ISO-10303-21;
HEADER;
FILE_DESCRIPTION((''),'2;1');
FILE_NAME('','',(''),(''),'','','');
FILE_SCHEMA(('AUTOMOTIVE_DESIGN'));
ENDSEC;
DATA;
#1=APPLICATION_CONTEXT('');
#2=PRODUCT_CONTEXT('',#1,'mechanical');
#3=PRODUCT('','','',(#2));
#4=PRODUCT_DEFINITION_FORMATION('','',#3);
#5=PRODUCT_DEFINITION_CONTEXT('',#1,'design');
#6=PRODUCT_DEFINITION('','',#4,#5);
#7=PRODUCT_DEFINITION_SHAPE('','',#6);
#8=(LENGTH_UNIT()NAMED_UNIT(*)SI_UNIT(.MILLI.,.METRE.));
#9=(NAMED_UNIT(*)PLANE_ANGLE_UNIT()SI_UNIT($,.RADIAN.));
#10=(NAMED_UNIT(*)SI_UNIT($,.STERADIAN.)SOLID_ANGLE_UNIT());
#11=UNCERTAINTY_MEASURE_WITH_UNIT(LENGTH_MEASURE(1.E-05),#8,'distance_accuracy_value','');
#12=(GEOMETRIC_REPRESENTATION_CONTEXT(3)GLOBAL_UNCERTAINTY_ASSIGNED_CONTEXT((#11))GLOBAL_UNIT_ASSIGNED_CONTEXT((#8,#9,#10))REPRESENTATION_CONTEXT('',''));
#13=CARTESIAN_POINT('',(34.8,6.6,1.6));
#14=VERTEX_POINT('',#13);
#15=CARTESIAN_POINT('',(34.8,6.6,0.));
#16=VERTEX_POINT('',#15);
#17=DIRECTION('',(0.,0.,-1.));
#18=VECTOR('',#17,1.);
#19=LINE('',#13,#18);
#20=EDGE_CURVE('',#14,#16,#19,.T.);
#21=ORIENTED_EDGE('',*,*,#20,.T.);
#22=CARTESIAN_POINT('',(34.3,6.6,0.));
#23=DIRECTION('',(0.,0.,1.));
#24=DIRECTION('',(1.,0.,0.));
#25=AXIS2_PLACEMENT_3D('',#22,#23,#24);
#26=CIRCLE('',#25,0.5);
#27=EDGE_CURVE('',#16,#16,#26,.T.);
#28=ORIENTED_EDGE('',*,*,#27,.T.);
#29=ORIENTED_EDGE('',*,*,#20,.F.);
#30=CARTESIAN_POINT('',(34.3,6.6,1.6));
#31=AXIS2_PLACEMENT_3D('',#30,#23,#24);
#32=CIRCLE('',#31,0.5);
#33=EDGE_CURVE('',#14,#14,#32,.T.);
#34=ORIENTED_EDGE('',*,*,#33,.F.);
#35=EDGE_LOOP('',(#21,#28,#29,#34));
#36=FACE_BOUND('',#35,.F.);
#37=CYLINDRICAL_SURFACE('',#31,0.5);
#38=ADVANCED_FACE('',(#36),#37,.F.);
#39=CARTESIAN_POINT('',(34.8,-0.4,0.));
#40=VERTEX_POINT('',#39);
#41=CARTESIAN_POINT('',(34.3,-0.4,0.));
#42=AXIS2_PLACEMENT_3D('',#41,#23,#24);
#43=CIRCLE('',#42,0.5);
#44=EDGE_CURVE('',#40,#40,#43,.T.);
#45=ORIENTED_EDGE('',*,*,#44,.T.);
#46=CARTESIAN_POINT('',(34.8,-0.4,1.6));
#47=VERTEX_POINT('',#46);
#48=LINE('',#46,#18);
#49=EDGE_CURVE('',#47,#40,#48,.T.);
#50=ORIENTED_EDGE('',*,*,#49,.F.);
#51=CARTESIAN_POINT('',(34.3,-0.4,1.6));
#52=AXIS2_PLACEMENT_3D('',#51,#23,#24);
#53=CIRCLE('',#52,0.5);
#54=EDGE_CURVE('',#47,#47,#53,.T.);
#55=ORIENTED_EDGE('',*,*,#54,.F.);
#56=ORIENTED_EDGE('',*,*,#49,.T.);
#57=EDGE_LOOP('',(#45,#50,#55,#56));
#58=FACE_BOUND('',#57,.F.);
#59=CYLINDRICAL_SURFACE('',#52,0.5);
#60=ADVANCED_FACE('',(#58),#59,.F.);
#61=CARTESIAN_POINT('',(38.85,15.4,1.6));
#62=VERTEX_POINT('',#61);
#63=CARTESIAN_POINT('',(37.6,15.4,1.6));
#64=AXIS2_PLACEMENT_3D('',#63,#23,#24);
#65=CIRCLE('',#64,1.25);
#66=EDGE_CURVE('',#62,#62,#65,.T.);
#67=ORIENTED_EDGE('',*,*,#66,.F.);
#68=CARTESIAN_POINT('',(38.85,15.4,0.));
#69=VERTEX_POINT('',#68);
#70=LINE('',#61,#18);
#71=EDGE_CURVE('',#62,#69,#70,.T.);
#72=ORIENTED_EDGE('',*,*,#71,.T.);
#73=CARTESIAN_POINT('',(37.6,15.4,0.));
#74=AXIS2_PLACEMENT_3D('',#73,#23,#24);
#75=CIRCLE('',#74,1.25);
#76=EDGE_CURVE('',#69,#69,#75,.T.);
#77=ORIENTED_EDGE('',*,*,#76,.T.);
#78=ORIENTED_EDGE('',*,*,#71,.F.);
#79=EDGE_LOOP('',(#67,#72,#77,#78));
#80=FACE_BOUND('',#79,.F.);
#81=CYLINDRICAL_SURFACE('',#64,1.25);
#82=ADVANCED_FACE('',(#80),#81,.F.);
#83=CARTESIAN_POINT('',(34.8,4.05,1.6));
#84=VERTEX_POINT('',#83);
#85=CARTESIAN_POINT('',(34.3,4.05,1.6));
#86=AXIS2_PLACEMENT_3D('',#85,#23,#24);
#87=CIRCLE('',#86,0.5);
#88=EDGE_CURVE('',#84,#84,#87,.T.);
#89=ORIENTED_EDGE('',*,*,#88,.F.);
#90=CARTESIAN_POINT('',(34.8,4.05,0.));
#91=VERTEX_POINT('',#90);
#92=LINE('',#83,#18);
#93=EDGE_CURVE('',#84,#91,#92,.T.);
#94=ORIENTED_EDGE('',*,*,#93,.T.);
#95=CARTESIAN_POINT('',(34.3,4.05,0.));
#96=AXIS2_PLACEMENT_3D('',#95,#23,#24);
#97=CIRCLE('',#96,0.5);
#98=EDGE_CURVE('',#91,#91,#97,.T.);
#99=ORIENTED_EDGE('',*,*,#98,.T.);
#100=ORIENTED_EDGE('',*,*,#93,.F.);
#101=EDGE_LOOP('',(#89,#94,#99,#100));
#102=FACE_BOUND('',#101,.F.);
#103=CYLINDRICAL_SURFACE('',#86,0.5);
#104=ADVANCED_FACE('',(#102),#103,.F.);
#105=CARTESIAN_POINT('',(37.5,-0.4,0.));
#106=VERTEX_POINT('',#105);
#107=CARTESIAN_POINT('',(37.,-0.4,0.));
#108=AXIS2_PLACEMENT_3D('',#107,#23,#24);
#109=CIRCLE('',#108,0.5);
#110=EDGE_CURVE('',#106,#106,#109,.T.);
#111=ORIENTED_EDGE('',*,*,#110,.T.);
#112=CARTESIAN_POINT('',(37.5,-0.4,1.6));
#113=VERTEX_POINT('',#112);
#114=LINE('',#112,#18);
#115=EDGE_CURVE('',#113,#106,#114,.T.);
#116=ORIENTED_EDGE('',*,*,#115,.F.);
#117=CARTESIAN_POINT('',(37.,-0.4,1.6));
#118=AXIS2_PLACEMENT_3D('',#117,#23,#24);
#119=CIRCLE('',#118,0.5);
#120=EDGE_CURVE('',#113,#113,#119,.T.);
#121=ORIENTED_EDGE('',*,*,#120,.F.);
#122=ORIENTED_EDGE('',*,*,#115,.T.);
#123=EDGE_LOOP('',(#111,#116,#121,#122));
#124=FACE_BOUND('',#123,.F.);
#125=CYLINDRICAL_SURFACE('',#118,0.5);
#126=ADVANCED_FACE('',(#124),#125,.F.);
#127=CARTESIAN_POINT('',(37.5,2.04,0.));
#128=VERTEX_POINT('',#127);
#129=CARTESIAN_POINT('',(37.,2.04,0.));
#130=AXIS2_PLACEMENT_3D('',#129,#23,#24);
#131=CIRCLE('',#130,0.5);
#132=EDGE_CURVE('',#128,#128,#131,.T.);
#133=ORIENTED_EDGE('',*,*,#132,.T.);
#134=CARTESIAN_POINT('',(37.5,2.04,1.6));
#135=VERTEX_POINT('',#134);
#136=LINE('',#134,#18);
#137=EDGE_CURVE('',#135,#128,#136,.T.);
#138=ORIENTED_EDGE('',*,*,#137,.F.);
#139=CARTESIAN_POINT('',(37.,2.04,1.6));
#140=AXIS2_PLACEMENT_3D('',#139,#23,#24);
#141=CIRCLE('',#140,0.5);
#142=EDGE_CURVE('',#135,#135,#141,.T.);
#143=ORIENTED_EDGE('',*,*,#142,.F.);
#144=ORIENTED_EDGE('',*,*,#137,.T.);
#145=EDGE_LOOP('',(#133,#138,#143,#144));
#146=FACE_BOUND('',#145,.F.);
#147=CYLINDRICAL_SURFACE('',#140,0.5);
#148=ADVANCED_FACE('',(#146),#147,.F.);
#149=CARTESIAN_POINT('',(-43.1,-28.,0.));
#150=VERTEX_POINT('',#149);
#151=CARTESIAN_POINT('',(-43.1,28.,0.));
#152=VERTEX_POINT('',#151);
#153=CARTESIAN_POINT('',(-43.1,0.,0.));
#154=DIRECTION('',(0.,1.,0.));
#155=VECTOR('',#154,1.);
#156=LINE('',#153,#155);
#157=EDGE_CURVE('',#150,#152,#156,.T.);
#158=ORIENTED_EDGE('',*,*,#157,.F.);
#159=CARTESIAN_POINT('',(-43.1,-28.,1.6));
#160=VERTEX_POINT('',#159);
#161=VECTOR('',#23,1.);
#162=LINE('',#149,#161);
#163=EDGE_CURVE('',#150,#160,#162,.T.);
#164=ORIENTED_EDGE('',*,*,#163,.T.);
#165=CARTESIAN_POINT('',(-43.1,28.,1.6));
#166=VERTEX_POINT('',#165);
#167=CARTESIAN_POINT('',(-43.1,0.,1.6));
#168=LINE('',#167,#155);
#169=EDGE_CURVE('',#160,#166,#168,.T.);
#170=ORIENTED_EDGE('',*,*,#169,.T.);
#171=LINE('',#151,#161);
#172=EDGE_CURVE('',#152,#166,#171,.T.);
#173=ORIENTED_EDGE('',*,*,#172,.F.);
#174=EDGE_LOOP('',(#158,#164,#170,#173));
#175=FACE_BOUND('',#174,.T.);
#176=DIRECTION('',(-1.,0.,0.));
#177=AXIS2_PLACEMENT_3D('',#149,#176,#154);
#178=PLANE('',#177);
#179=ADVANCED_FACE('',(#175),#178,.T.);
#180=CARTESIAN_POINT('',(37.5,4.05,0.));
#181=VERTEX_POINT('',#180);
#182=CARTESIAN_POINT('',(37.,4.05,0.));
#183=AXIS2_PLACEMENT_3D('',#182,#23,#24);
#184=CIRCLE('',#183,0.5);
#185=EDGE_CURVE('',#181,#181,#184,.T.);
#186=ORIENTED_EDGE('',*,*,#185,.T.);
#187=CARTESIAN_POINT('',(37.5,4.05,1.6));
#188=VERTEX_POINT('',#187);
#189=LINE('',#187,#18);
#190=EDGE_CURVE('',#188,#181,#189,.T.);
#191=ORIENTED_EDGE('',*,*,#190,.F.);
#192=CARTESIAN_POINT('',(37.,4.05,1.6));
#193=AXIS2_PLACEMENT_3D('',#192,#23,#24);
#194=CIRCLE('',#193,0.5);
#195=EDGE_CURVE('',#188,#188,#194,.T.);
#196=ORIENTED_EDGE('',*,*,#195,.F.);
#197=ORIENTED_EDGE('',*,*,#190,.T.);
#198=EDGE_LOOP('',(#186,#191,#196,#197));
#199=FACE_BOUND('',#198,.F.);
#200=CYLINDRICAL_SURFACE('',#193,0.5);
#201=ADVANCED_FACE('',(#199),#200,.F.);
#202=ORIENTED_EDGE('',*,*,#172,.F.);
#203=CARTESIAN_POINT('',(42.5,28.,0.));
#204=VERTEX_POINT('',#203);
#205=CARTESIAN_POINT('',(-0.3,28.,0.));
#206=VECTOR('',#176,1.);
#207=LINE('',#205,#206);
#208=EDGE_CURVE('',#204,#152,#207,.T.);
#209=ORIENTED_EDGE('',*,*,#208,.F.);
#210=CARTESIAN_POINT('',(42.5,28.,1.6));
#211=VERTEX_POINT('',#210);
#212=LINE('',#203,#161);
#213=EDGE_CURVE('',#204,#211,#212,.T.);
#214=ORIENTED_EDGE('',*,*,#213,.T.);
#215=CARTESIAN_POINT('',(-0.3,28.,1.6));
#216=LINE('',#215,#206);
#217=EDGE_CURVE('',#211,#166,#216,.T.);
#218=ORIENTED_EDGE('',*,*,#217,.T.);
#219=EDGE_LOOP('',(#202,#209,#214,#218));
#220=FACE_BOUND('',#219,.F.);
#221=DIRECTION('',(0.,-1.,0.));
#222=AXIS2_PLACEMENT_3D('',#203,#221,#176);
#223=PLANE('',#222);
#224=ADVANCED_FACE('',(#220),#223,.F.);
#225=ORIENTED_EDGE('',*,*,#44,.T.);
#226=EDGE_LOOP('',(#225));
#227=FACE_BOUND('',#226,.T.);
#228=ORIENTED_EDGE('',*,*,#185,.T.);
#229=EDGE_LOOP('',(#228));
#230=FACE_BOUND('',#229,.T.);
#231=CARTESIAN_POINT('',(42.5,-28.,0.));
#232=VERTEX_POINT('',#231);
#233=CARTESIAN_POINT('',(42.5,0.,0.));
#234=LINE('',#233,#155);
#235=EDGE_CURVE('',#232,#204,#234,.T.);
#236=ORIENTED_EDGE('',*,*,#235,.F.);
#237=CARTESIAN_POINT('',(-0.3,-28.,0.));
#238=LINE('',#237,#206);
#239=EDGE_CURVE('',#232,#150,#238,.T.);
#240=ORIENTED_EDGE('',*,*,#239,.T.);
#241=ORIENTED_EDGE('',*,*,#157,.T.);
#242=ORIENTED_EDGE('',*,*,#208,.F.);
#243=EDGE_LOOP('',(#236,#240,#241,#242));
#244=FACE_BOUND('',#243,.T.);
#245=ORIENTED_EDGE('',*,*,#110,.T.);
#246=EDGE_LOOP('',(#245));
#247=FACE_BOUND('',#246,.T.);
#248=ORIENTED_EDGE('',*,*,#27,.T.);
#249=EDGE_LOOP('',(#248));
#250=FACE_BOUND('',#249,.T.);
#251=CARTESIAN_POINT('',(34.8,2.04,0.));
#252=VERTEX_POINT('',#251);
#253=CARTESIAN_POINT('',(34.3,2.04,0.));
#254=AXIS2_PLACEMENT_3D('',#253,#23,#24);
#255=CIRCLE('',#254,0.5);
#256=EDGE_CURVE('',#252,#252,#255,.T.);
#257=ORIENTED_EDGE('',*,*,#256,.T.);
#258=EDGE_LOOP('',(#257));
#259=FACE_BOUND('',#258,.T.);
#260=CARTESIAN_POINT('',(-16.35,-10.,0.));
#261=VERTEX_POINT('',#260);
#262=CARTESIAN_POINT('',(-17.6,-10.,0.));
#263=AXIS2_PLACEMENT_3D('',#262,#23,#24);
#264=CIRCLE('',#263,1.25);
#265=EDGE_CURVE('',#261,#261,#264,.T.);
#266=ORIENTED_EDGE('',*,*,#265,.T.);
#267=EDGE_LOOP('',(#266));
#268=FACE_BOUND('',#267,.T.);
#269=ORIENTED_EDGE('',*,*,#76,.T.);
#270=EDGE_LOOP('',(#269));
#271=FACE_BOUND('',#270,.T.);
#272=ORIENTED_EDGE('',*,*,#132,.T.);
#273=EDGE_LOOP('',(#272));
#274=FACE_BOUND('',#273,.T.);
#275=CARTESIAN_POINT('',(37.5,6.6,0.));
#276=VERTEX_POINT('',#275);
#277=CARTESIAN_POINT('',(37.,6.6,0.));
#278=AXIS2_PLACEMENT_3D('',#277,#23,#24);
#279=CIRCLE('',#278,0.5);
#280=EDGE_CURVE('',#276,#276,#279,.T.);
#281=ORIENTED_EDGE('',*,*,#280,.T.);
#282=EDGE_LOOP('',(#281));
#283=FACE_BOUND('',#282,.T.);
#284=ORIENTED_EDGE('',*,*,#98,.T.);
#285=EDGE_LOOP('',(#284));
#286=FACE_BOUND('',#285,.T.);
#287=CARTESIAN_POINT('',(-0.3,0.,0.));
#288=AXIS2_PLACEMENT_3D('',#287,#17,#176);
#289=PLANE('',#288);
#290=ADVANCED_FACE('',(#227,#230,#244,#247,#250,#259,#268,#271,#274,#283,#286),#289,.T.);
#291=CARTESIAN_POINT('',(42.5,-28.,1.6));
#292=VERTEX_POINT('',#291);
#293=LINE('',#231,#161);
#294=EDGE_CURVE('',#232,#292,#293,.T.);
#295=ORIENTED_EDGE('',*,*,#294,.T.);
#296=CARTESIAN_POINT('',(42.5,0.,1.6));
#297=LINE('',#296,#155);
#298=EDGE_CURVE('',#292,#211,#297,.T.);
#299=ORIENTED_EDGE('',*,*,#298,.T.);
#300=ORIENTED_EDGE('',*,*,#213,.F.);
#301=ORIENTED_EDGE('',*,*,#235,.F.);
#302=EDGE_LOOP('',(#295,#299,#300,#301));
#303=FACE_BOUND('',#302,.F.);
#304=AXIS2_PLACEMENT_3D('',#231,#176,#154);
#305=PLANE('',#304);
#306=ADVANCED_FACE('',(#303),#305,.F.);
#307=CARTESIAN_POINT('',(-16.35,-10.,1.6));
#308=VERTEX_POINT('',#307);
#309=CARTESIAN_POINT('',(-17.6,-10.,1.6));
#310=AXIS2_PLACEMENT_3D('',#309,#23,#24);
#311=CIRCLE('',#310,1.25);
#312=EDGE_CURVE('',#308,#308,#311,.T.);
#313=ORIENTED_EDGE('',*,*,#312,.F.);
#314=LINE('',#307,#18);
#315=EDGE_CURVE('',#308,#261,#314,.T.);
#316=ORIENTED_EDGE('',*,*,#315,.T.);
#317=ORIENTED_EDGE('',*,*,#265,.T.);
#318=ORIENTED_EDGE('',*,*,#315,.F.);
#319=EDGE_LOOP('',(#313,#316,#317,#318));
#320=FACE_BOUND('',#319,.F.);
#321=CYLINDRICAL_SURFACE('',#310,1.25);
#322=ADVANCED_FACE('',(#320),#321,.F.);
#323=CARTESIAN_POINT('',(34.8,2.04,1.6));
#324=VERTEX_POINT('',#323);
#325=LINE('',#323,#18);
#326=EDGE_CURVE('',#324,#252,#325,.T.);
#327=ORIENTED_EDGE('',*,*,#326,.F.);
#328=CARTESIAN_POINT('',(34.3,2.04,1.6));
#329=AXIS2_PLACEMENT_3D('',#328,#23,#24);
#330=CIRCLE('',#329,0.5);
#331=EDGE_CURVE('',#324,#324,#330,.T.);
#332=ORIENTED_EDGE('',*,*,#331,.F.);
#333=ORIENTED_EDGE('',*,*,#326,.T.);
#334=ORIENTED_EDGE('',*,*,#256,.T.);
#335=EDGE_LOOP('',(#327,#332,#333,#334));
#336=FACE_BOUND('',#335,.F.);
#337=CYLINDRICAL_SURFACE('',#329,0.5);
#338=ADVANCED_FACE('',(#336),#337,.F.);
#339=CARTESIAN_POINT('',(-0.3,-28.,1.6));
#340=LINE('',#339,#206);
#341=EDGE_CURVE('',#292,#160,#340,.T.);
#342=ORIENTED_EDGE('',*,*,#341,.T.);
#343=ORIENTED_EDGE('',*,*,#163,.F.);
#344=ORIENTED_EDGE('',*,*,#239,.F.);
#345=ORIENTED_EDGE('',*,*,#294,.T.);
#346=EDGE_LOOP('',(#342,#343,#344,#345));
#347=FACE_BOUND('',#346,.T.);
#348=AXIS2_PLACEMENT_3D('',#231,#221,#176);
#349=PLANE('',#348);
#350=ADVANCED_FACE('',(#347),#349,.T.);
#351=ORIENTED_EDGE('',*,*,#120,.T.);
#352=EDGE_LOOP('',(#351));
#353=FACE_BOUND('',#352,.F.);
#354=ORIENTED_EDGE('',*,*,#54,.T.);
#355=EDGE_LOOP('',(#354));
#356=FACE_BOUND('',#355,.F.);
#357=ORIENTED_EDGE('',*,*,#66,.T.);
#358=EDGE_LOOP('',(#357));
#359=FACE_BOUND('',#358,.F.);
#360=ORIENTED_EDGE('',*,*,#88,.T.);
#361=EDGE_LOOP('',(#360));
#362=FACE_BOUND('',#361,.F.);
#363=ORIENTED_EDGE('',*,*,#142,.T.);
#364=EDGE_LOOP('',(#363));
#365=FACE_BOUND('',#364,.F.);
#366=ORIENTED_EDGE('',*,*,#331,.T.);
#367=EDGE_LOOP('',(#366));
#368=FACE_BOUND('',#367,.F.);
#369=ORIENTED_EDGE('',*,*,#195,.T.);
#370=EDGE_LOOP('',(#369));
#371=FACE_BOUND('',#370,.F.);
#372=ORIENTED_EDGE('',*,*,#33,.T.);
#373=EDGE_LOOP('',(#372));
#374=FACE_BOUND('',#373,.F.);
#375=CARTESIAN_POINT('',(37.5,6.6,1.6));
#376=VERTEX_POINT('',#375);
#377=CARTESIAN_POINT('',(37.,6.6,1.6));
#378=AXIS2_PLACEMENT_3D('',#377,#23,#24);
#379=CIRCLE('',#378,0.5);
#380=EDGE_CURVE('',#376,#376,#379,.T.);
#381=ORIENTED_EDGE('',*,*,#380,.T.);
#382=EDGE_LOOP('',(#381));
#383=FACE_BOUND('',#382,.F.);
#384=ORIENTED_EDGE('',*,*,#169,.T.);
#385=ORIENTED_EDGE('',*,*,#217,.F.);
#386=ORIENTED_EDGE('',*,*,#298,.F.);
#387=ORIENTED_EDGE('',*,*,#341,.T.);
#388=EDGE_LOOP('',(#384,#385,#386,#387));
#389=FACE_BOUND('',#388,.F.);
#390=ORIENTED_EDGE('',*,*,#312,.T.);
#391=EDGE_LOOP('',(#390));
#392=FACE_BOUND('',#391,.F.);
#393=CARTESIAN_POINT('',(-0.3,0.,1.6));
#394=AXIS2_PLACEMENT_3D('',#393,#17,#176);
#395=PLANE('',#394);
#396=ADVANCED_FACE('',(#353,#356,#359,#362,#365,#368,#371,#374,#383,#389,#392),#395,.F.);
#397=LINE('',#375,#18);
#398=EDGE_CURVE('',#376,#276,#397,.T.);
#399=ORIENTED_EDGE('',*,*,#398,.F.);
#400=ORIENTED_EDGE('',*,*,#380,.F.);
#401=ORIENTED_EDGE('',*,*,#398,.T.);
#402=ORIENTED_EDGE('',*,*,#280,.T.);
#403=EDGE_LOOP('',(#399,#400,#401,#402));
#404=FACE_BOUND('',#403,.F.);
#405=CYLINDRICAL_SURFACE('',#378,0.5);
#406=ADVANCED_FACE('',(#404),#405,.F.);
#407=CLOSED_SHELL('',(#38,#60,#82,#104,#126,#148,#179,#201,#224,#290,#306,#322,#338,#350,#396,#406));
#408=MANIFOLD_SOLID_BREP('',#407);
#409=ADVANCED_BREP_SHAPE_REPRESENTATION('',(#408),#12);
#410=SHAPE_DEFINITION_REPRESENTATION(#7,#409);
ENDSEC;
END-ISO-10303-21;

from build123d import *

# Parameters (mm, degrees)
ESBO_O1_W                = 85.6
ESBO_O1_H                = 56
RESSALTO_EXTRUS_O1_DEPTH = 1.6
ESBO_O2_R                = 0.5
CORTE_EXTRUS_O1_DEPTH    = 2
ESBO_O3_R                = 1.25
CORTE_EXTRUS_O2_DEPTH    = 10


with BuildPart() as part:
    # Esboço1 → Ressalto-extrusão1 (new body)
    with BuildSketch(Plane(origin=(0, 0, 0), x_dir=(-1, 0, 0), z_dir=(0, 0, -1))):
        with Locations((0.3, 0)):
            Rectangle(ESBO_O1_W, ESBO_O1_H)
    extrude(amount=-RESSALTO_EXTRUS_O1_DEPTH)

    # Esboço2 → Corte-extrusão1 (cut)
    with BuildSketch(Plane.XY.offset(1.6)):
        with Locations((37, 6.6)):
            Circle(ESBO_O2_R)
        with Locations((34.3, 6.6)):
            Circle(ESBO_O2_R)
        with Locations((34.3, 4.05)):
            Circle(ESBO_O2_R)
        with Locations((34.3, 2.04)):
            Circle(ESBO_O2_R)
        with Locations((34.3, -0.4)):
            Circle(ESBO_O2_R)
        with Locations((37, 4.05)):
            Circle(ESBO_O2_R)
        with Locations((37, 2.04)):
            Circle(ESBO_O2_R)
        with Locations((37, -0.4)):
            Circle(ESBO_O2_R)
    extrude(amount=-CORTE_EXTRUS_O1_DEPTH, mode=Mode.SUBTRACT)

    # Esboço3 → Corte-extrusão2 (cut)
    with BuildSketch(Plane.XY.offset(1.6)):
        with Locations((37.6, 15.4)):
            Circle(ESBO_O3_R)
        with Locations((-17.6, -10)):
            Circle(ESBO_O3_R)
    extrude(amount=-CORTE_EXTRUS_O2_DEPTH, mode=Mode.SUBTRACT)


solid = part.part
